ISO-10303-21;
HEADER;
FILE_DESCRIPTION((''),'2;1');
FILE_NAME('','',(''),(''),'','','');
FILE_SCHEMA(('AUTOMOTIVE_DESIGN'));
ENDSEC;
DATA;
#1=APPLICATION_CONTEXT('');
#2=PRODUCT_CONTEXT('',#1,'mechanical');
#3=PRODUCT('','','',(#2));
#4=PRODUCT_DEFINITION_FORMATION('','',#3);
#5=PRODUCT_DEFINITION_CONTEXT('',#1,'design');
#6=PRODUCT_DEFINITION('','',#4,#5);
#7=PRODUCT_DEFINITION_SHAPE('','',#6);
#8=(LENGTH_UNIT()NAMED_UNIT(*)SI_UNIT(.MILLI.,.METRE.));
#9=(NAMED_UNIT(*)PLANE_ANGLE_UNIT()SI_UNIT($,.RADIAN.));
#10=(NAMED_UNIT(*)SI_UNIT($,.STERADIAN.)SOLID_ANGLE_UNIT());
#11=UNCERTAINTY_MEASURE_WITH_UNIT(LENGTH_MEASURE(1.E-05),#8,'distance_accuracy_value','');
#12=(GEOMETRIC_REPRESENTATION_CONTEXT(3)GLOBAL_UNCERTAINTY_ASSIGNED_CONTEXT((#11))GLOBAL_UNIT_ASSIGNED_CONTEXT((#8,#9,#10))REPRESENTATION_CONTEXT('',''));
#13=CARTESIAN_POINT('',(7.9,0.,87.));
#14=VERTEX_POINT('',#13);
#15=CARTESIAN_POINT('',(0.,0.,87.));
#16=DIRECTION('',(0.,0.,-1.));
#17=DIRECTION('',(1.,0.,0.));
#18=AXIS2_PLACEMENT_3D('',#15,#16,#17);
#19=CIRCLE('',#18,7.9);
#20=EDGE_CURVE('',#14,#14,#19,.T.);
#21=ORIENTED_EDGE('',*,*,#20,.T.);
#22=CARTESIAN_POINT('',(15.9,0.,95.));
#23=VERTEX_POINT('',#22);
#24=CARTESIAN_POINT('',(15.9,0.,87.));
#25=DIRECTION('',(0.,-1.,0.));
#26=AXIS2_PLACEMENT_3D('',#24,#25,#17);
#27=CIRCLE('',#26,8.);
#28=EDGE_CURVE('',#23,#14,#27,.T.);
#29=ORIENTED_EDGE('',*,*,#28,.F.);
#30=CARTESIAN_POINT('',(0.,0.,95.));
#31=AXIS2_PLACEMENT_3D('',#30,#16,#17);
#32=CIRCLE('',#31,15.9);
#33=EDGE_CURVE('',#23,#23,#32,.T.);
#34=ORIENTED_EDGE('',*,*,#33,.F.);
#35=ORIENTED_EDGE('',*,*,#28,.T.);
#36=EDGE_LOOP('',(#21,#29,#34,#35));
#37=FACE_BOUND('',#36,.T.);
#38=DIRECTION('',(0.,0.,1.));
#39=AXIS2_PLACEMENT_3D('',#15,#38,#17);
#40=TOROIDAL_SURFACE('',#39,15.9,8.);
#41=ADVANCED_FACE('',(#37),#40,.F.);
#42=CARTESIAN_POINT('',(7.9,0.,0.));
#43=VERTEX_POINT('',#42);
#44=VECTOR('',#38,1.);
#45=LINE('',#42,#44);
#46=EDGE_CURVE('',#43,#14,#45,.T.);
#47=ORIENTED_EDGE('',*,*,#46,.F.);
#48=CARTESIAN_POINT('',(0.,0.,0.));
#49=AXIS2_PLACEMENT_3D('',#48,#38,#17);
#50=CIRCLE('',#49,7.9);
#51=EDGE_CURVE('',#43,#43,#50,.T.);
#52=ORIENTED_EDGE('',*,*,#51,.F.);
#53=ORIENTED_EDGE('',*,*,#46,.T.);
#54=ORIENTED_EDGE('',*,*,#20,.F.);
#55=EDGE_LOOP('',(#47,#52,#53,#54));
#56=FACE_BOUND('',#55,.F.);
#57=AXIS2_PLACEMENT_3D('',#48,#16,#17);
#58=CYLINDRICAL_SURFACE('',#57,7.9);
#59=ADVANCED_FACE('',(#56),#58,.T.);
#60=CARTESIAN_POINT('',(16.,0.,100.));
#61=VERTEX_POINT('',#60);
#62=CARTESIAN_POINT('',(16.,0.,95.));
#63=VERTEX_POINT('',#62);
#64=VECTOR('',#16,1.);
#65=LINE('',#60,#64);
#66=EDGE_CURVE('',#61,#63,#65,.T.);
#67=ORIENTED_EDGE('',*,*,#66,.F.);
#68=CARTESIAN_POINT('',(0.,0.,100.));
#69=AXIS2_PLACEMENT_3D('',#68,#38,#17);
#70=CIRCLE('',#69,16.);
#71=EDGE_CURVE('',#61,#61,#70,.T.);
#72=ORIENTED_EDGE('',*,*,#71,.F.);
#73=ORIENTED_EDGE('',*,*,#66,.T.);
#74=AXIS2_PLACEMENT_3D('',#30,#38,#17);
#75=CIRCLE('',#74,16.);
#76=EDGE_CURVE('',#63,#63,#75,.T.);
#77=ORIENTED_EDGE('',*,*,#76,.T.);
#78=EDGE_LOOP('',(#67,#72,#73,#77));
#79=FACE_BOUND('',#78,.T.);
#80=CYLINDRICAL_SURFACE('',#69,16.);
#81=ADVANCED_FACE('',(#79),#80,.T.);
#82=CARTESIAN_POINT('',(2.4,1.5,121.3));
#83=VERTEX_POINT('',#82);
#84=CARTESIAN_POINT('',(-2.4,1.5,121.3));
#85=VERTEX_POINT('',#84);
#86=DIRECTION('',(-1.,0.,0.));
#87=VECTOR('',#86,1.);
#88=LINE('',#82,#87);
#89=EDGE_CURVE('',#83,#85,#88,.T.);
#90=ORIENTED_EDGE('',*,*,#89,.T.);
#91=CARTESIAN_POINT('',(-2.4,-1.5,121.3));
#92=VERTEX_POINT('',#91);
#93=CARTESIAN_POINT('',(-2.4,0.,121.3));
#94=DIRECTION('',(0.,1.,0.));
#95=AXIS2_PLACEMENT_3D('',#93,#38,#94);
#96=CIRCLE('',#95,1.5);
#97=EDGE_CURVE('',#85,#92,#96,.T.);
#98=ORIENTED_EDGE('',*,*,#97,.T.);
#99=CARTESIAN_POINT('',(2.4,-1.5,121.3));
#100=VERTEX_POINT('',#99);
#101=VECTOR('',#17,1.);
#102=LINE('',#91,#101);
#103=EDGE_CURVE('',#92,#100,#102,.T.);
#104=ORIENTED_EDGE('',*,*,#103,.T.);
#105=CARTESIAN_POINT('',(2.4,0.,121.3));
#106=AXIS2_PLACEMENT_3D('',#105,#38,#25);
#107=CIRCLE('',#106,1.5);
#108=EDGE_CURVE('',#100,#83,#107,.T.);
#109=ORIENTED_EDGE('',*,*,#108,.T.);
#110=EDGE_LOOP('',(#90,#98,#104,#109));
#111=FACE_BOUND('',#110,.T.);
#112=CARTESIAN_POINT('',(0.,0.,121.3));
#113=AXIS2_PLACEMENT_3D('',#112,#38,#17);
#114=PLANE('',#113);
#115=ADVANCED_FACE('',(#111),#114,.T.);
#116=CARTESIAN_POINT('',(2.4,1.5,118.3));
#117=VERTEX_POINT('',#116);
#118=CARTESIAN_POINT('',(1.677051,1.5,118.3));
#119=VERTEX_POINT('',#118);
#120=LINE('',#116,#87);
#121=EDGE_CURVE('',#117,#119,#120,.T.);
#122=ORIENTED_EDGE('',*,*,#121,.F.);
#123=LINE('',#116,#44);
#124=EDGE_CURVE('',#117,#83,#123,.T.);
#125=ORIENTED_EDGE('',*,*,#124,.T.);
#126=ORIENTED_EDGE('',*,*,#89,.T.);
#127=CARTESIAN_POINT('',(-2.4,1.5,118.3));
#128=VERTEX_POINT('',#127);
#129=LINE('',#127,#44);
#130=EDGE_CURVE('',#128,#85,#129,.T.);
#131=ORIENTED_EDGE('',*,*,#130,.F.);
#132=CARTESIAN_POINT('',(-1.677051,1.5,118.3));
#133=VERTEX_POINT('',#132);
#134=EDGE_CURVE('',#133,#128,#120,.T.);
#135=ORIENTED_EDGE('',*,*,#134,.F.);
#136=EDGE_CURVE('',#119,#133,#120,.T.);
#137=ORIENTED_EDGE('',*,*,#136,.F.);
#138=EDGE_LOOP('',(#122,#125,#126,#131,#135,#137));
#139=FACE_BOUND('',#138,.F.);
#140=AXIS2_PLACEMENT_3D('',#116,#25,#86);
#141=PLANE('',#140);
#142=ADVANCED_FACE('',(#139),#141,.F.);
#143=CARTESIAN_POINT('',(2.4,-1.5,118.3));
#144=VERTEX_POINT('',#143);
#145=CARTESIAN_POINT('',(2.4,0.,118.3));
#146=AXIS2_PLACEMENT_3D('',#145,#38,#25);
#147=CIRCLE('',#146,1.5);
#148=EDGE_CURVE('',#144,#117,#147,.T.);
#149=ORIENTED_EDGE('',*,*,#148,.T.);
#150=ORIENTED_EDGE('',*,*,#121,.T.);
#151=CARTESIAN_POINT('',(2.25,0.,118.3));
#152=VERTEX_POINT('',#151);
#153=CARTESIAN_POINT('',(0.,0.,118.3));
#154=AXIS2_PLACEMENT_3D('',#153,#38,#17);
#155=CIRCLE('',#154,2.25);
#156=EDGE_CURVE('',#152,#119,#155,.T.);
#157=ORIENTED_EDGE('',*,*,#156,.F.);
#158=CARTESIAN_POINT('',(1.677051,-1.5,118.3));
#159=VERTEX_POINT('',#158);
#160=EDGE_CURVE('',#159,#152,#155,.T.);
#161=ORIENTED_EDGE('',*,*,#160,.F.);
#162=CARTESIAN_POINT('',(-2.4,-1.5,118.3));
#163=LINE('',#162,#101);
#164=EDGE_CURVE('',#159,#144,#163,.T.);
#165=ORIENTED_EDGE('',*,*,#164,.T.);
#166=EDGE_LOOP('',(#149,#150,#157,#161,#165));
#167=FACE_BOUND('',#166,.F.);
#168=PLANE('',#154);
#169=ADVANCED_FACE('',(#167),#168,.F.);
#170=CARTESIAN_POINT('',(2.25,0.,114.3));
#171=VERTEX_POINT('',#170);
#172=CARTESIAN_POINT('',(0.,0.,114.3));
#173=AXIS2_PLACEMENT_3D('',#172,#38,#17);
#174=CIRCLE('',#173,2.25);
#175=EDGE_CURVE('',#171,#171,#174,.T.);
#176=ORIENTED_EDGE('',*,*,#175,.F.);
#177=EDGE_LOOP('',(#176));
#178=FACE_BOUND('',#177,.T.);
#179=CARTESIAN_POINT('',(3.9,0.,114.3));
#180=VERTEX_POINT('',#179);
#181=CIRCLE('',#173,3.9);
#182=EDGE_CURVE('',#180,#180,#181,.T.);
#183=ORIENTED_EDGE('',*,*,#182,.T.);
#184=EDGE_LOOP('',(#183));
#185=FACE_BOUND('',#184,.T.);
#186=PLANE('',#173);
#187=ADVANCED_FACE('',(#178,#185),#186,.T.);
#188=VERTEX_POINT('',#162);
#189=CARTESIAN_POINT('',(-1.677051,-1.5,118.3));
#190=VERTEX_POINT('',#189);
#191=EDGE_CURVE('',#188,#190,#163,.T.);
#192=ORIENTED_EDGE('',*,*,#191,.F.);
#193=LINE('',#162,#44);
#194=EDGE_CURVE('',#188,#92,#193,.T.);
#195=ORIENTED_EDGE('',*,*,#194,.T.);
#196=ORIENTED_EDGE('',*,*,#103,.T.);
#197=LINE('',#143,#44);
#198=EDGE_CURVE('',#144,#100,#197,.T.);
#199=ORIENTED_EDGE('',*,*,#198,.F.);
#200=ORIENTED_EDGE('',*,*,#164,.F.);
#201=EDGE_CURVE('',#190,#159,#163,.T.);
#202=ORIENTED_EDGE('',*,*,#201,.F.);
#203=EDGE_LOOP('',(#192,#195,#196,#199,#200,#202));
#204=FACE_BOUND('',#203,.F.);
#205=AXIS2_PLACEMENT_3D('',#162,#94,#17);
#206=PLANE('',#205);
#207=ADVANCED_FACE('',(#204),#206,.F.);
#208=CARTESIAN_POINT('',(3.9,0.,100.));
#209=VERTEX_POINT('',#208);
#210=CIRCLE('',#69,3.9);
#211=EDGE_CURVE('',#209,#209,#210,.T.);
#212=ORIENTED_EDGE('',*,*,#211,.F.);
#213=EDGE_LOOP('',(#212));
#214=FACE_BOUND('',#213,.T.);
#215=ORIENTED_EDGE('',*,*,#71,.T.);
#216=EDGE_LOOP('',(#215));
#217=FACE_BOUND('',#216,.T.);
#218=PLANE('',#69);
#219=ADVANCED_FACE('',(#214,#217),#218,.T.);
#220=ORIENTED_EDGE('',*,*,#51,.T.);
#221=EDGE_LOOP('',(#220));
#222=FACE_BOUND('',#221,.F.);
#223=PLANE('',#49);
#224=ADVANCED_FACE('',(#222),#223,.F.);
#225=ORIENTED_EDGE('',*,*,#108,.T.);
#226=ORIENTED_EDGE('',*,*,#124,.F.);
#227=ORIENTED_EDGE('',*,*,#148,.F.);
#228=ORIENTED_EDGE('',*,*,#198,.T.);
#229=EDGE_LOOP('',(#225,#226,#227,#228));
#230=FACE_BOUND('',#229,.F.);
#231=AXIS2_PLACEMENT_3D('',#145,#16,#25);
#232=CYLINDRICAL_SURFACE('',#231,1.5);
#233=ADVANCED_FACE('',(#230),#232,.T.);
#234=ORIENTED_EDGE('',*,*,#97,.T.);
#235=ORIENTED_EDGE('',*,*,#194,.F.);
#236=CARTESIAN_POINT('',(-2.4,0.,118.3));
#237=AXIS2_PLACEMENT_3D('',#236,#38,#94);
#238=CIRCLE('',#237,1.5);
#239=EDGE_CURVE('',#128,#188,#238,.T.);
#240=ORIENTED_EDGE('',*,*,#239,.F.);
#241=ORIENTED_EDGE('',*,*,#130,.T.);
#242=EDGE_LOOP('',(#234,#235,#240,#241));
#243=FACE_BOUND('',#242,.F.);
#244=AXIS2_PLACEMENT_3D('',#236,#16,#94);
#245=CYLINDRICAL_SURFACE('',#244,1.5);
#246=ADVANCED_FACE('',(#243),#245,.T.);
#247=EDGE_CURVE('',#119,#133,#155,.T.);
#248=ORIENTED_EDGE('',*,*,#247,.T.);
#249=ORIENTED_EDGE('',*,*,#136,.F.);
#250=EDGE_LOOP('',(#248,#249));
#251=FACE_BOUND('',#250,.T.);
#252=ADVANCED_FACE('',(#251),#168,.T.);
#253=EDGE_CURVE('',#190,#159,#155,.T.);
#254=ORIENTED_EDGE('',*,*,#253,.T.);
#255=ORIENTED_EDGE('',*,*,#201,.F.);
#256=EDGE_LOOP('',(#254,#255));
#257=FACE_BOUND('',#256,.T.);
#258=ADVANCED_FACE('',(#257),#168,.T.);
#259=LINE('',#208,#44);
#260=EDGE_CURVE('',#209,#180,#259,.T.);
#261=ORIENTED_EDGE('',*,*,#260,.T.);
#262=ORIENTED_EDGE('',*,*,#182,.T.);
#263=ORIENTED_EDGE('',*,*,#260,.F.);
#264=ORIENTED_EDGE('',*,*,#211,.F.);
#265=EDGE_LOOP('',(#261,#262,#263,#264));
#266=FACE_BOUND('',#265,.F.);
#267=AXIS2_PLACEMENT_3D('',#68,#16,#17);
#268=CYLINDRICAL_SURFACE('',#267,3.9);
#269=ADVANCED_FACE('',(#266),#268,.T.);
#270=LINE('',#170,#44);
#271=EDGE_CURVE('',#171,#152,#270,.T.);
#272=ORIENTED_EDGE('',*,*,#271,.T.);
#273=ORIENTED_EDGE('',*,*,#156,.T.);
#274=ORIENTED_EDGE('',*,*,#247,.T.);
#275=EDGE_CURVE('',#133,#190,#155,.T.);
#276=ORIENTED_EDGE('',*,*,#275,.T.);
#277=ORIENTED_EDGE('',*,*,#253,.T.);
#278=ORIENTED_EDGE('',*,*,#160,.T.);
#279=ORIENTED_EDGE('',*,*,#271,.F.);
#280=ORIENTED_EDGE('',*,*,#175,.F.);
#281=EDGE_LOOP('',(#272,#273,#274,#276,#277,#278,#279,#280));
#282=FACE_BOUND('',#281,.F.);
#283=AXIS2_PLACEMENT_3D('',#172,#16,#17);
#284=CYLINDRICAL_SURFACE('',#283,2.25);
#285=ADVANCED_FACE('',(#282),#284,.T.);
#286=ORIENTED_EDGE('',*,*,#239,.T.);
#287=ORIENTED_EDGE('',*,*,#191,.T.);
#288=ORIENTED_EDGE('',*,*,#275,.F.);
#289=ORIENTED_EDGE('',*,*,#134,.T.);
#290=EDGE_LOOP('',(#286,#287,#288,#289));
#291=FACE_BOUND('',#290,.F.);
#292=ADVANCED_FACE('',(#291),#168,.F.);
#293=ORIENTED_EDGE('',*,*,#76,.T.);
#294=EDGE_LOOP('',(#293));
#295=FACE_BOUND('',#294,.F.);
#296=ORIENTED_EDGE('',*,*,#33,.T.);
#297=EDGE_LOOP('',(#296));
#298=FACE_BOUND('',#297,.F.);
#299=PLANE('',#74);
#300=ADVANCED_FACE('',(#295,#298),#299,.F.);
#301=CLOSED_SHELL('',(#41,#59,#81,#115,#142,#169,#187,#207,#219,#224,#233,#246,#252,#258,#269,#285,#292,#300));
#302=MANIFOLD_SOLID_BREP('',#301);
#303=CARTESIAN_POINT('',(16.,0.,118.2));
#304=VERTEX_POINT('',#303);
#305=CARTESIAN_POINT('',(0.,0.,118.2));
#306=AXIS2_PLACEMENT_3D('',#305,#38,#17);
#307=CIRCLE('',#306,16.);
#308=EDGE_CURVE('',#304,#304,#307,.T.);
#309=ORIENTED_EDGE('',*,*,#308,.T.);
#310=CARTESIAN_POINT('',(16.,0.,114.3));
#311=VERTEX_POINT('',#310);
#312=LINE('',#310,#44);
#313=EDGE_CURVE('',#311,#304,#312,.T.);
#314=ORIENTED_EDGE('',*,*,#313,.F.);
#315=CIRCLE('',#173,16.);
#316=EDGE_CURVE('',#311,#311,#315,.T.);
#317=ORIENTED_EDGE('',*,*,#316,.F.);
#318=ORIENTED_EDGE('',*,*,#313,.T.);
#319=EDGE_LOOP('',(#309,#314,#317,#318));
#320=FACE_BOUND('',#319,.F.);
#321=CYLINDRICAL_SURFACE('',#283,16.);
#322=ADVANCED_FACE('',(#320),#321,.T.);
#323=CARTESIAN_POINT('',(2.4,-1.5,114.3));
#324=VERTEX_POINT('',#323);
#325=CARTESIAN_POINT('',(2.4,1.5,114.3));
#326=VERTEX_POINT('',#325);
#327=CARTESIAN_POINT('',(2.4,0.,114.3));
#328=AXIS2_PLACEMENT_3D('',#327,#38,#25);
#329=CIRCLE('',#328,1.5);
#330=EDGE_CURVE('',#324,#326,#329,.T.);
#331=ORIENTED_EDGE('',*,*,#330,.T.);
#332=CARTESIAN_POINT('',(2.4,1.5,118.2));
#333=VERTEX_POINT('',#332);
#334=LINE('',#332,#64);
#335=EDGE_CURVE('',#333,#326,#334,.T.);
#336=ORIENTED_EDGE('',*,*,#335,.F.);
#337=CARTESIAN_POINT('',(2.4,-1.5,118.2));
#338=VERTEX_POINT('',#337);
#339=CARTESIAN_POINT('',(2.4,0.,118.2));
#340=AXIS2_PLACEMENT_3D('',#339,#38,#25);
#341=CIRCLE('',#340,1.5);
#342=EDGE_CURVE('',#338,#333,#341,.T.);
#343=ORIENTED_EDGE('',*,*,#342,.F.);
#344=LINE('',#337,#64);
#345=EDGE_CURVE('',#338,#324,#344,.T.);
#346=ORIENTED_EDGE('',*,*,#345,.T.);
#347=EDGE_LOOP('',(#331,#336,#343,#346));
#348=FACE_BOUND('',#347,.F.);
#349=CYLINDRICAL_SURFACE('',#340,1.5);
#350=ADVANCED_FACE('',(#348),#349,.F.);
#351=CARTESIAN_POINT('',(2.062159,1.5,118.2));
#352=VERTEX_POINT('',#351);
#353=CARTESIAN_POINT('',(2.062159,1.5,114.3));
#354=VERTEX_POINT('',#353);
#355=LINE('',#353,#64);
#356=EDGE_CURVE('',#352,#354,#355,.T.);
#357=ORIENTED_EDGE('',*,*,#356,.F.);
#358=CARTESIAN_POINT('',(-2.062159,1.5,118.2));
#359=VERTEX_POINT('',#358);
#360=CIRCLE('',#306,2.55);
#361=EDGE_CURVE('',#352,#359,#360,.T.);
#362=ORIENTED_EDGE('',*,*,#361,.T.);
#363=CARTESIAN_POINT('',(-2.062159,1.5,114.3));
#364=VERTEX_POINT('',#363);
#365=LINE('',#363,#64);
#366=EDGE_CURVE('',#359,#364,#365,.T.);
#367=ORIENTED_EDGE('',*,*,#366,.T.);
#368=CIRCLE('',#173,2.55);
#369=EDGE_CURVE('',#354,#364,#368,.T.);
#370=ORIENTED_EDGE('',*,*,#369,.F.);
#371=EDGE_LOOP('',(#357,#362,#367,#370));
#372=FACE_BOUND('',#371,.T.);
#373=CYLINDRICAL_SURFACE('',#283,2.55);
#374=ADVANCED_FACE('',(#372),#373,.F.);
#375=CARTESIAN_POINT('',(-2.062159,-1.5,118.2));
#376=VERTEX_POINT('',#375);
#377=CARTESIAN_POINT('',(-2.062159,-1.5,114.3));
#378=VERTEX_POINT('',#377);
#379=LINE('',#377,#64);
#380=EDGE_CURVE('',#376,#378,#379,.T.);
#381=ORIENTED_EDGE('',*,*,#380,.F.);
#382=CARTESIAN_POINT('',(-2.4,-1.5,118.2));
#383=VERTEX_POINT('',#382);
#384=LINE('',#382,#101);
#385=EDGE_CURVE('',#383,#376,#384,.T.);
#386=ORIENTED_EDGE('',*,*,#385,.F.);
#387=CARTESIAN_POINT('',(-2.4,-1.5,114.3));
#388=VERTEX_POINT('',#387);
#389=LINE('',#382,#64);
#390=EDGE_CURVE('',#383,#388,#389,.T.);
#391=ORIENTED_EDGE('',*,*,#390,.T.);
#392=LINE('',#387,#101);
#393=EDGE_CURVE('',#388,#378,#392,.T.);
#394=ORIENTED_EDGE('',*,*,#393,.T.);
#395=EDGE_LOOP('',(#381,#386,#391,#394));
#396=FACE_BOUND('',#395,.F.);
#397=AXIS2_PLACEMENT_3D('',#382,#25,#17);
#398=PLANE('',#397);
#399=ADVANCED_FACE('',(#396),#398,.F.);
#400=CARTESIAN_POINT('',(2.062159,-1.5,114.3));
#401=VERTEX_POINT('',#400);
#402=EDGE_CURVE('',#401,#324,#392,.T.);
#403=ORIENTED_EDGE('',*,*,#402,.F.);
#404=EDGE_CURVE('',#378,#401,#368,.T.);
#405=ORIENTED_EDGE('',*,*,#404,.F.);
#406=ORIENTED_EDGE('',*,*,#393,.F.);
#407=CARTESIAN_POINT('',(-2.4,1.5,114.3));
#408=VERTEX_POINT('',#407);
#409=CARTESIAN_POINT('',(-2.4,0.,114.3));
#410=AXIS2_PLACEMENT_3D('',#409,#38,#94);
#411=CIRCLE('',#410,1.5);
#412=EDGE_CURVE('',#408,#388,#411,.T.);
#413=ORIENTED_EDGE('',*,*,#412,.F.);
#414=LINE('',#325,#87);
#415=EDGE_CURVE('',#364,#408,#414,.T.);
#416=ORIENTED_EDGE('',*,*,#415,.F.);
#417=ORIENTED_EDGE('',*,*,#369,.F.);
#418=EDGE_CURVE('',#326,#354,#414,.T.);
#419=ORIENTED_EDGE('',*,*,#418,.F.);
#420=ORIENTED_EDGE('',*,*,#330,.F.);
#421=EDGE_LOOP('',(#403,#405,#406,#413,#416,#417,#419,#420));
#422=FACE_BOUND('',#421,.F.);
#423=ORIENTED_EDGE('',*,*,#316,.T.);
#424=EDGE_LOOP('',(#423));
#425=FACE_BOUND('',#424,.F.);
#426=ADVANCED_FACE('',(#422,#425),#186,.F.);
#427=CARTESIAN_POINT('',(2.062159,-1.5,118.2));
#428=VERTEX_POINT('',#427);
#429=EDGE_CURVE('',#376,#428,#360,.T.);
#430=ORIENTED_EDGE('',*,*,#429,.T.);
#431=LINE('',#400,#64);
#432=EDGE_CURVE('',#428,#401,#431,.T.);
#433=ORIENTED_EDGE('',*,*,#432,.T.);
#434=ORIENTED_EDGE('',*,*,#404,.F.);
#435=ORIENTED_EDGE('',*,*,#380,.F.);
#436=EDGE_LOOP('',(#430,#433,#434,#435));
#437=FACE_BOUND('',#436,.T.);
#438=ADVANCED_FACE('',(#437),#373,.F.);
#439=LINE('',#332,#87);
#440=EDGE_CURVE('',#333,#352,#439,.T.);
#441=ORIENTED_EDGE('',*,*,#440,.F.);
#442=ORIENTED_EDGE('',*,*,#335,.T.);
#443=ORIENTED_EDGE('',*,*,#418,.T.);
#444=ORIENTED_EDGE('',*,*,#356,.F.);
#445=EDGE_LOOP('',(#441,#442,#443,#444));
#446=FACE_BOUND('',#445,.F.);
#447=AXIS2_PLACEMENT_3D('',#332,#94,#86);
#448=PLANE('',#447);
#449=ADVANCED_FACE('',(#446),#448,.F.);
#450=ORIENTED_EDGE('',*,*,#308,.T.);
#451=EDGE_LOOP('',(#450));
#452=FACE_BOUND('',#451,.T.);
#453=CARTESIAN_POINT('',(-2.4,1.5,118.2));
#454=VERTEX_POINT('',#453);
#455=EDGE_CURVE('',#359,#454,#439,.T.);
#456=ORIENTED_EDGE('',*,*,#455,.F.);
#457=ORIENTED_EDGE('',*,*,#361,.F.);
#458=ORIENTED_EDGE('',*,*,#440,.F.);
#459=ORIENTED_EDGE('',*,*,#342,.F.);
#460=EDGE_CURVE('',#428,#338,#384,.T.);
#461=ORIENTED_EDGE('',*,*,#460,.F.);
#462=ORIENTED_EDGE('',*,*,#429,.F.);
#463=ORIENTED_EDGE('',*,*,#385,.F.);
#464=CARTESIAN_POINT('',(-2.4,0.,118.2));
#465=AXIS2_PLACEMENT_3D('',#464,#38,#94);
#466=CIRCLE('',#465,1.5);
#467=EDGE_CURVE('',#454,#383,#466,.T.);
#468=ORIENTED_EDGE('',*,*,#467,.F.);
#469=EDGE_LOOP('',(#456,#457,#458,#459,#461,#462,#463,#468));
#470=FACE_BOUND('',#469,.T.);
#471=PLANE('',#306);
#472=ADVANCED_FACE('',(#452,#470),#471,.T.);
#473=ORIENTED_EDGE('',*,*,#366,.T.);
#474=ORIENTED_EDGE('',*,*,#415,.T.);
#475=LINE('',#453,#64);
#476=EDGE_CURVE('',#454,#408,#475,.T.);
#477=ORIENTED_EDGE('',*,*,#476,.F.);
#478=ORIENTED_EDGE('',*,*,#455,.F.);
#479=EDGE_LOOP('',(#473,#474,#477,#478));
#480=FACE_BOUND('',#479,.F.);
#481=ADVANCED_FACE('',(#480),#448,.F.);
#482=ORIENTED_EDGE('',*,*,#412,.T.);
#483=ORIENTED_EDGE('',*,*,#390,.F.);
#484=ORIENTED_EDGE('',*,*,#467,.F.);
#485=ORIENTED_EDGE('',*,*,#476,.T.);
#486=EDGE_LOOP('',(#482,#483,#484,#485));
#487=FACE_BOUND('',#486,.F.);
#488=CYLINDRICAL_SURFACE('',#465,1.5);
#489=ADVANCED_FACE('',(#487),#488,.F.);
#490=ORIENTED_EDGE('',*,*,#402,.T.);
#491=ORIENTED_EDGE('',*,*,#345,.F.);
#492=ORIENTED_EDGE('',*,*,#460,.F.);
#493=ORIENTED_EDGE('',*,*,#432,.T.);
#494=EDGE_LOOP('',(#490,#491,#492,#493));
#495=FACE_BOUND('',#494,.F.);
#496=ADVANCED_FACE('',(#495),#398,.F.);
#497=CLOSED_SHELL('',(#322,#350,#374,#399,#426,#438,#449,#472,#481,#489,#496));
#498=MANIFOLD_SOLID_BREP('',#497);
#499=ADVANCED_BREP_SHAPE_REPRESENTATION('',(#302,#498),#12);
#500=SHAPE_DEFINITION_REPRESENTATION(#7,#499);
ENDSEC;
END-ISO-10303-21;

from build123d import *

# Parameters (mm, degrees)
F0_R      = 7.9
F1_DEPTH  = 100
F2_R      = 3.9
F3_DEPTH  = 14.3
F4_R      = 2.25
F5_DEPTH  = 4
F7_DEPTH  = 3
F8_R      = 16
F8_R_2    = 2.55
F9_DEPTH  = 3.9
F11_DEPTH = 3.9
F12_R     = 16
F13_DEPTH = 5
F14_R     = 8


with BuildPart() as f1:
    # F0 (on Top) → F1 (new body)
    with BuildSketch(Plane.XY):
        Circle(F0_R)
    extrude(amount=F1_DEPTH)

    # F2 (on face) → F3 (join)
    with BuildSketch(Plane.XY.offset(100)):
        Circle(F2_R)
    extrude(amount=F3_DEPTH)

    # F4 (on face) → F5 (join)
    with BuildSketch(Plane.XY.offset(114.3)):
        Circle(F4_R)
    extrude(amount=F5_DEPTH)

    # F6 (on face) → F7 (join)
    with BuildSketch(Plane.XY.offset(118.3)):
        with BuildLine():
            ThreePointArc((-2.4, 1.5), (-3.9, 0), (-2.4, -1.5))
            Line((-2.4, -1.5), (2.4, -1.5))
            ThreePointArc((2.4, -1.5), (3.9, 0), (2.4, 1.5))
            Line((2.4, 1.5), (-2.4, 1.5))
        make_face()
    extrude(amount=F7_DEPTH)

    # F12 (on face) → F13 (join)
    with BuildSketch(Plane.XY.offset(100)):
        Circle(F12_R)
    extrude(amount=-F13_DEPTH)

    # F14
    f14_edges = [f1.edges().sort_by_distance(p)[0] for p in [
        (-7.9, 0, 95),
    ]]
    fillet(f14_edges, radius=F14_R)


with BuildPart() as f9:
    # F8 (on face) → F9 (new body)
    with BuildSketch(Plane.XY.offset(114.3)):
        Circle(F8_R)
        Circle(F8_R_2, mode=Mode.SUBTRACT)
    extrude(amount=F9_DEPTH)

    # F10 (on face) → F11 (cut, through all)
    with BuildSketch(Plane.XY.offset(118.2)):
        with BuildLine():
            Line((2.4, 1.5), (-2.4, 1.5))
            ThreePointArc((-2.4, 1.5), (-3.9, 0), (-2.4, -1.5))
            Line((-2.4, -1.5), (2.4, -1.5))
            ThreePointArc((2.4, -1.5), (3.9, 0), (2.4, 1.5))
        make_face()
    extrude(amount=-F11_DEPTH, mode=Mode.SUBTRACT)


solid = Compound([f1.part, f9.part])
